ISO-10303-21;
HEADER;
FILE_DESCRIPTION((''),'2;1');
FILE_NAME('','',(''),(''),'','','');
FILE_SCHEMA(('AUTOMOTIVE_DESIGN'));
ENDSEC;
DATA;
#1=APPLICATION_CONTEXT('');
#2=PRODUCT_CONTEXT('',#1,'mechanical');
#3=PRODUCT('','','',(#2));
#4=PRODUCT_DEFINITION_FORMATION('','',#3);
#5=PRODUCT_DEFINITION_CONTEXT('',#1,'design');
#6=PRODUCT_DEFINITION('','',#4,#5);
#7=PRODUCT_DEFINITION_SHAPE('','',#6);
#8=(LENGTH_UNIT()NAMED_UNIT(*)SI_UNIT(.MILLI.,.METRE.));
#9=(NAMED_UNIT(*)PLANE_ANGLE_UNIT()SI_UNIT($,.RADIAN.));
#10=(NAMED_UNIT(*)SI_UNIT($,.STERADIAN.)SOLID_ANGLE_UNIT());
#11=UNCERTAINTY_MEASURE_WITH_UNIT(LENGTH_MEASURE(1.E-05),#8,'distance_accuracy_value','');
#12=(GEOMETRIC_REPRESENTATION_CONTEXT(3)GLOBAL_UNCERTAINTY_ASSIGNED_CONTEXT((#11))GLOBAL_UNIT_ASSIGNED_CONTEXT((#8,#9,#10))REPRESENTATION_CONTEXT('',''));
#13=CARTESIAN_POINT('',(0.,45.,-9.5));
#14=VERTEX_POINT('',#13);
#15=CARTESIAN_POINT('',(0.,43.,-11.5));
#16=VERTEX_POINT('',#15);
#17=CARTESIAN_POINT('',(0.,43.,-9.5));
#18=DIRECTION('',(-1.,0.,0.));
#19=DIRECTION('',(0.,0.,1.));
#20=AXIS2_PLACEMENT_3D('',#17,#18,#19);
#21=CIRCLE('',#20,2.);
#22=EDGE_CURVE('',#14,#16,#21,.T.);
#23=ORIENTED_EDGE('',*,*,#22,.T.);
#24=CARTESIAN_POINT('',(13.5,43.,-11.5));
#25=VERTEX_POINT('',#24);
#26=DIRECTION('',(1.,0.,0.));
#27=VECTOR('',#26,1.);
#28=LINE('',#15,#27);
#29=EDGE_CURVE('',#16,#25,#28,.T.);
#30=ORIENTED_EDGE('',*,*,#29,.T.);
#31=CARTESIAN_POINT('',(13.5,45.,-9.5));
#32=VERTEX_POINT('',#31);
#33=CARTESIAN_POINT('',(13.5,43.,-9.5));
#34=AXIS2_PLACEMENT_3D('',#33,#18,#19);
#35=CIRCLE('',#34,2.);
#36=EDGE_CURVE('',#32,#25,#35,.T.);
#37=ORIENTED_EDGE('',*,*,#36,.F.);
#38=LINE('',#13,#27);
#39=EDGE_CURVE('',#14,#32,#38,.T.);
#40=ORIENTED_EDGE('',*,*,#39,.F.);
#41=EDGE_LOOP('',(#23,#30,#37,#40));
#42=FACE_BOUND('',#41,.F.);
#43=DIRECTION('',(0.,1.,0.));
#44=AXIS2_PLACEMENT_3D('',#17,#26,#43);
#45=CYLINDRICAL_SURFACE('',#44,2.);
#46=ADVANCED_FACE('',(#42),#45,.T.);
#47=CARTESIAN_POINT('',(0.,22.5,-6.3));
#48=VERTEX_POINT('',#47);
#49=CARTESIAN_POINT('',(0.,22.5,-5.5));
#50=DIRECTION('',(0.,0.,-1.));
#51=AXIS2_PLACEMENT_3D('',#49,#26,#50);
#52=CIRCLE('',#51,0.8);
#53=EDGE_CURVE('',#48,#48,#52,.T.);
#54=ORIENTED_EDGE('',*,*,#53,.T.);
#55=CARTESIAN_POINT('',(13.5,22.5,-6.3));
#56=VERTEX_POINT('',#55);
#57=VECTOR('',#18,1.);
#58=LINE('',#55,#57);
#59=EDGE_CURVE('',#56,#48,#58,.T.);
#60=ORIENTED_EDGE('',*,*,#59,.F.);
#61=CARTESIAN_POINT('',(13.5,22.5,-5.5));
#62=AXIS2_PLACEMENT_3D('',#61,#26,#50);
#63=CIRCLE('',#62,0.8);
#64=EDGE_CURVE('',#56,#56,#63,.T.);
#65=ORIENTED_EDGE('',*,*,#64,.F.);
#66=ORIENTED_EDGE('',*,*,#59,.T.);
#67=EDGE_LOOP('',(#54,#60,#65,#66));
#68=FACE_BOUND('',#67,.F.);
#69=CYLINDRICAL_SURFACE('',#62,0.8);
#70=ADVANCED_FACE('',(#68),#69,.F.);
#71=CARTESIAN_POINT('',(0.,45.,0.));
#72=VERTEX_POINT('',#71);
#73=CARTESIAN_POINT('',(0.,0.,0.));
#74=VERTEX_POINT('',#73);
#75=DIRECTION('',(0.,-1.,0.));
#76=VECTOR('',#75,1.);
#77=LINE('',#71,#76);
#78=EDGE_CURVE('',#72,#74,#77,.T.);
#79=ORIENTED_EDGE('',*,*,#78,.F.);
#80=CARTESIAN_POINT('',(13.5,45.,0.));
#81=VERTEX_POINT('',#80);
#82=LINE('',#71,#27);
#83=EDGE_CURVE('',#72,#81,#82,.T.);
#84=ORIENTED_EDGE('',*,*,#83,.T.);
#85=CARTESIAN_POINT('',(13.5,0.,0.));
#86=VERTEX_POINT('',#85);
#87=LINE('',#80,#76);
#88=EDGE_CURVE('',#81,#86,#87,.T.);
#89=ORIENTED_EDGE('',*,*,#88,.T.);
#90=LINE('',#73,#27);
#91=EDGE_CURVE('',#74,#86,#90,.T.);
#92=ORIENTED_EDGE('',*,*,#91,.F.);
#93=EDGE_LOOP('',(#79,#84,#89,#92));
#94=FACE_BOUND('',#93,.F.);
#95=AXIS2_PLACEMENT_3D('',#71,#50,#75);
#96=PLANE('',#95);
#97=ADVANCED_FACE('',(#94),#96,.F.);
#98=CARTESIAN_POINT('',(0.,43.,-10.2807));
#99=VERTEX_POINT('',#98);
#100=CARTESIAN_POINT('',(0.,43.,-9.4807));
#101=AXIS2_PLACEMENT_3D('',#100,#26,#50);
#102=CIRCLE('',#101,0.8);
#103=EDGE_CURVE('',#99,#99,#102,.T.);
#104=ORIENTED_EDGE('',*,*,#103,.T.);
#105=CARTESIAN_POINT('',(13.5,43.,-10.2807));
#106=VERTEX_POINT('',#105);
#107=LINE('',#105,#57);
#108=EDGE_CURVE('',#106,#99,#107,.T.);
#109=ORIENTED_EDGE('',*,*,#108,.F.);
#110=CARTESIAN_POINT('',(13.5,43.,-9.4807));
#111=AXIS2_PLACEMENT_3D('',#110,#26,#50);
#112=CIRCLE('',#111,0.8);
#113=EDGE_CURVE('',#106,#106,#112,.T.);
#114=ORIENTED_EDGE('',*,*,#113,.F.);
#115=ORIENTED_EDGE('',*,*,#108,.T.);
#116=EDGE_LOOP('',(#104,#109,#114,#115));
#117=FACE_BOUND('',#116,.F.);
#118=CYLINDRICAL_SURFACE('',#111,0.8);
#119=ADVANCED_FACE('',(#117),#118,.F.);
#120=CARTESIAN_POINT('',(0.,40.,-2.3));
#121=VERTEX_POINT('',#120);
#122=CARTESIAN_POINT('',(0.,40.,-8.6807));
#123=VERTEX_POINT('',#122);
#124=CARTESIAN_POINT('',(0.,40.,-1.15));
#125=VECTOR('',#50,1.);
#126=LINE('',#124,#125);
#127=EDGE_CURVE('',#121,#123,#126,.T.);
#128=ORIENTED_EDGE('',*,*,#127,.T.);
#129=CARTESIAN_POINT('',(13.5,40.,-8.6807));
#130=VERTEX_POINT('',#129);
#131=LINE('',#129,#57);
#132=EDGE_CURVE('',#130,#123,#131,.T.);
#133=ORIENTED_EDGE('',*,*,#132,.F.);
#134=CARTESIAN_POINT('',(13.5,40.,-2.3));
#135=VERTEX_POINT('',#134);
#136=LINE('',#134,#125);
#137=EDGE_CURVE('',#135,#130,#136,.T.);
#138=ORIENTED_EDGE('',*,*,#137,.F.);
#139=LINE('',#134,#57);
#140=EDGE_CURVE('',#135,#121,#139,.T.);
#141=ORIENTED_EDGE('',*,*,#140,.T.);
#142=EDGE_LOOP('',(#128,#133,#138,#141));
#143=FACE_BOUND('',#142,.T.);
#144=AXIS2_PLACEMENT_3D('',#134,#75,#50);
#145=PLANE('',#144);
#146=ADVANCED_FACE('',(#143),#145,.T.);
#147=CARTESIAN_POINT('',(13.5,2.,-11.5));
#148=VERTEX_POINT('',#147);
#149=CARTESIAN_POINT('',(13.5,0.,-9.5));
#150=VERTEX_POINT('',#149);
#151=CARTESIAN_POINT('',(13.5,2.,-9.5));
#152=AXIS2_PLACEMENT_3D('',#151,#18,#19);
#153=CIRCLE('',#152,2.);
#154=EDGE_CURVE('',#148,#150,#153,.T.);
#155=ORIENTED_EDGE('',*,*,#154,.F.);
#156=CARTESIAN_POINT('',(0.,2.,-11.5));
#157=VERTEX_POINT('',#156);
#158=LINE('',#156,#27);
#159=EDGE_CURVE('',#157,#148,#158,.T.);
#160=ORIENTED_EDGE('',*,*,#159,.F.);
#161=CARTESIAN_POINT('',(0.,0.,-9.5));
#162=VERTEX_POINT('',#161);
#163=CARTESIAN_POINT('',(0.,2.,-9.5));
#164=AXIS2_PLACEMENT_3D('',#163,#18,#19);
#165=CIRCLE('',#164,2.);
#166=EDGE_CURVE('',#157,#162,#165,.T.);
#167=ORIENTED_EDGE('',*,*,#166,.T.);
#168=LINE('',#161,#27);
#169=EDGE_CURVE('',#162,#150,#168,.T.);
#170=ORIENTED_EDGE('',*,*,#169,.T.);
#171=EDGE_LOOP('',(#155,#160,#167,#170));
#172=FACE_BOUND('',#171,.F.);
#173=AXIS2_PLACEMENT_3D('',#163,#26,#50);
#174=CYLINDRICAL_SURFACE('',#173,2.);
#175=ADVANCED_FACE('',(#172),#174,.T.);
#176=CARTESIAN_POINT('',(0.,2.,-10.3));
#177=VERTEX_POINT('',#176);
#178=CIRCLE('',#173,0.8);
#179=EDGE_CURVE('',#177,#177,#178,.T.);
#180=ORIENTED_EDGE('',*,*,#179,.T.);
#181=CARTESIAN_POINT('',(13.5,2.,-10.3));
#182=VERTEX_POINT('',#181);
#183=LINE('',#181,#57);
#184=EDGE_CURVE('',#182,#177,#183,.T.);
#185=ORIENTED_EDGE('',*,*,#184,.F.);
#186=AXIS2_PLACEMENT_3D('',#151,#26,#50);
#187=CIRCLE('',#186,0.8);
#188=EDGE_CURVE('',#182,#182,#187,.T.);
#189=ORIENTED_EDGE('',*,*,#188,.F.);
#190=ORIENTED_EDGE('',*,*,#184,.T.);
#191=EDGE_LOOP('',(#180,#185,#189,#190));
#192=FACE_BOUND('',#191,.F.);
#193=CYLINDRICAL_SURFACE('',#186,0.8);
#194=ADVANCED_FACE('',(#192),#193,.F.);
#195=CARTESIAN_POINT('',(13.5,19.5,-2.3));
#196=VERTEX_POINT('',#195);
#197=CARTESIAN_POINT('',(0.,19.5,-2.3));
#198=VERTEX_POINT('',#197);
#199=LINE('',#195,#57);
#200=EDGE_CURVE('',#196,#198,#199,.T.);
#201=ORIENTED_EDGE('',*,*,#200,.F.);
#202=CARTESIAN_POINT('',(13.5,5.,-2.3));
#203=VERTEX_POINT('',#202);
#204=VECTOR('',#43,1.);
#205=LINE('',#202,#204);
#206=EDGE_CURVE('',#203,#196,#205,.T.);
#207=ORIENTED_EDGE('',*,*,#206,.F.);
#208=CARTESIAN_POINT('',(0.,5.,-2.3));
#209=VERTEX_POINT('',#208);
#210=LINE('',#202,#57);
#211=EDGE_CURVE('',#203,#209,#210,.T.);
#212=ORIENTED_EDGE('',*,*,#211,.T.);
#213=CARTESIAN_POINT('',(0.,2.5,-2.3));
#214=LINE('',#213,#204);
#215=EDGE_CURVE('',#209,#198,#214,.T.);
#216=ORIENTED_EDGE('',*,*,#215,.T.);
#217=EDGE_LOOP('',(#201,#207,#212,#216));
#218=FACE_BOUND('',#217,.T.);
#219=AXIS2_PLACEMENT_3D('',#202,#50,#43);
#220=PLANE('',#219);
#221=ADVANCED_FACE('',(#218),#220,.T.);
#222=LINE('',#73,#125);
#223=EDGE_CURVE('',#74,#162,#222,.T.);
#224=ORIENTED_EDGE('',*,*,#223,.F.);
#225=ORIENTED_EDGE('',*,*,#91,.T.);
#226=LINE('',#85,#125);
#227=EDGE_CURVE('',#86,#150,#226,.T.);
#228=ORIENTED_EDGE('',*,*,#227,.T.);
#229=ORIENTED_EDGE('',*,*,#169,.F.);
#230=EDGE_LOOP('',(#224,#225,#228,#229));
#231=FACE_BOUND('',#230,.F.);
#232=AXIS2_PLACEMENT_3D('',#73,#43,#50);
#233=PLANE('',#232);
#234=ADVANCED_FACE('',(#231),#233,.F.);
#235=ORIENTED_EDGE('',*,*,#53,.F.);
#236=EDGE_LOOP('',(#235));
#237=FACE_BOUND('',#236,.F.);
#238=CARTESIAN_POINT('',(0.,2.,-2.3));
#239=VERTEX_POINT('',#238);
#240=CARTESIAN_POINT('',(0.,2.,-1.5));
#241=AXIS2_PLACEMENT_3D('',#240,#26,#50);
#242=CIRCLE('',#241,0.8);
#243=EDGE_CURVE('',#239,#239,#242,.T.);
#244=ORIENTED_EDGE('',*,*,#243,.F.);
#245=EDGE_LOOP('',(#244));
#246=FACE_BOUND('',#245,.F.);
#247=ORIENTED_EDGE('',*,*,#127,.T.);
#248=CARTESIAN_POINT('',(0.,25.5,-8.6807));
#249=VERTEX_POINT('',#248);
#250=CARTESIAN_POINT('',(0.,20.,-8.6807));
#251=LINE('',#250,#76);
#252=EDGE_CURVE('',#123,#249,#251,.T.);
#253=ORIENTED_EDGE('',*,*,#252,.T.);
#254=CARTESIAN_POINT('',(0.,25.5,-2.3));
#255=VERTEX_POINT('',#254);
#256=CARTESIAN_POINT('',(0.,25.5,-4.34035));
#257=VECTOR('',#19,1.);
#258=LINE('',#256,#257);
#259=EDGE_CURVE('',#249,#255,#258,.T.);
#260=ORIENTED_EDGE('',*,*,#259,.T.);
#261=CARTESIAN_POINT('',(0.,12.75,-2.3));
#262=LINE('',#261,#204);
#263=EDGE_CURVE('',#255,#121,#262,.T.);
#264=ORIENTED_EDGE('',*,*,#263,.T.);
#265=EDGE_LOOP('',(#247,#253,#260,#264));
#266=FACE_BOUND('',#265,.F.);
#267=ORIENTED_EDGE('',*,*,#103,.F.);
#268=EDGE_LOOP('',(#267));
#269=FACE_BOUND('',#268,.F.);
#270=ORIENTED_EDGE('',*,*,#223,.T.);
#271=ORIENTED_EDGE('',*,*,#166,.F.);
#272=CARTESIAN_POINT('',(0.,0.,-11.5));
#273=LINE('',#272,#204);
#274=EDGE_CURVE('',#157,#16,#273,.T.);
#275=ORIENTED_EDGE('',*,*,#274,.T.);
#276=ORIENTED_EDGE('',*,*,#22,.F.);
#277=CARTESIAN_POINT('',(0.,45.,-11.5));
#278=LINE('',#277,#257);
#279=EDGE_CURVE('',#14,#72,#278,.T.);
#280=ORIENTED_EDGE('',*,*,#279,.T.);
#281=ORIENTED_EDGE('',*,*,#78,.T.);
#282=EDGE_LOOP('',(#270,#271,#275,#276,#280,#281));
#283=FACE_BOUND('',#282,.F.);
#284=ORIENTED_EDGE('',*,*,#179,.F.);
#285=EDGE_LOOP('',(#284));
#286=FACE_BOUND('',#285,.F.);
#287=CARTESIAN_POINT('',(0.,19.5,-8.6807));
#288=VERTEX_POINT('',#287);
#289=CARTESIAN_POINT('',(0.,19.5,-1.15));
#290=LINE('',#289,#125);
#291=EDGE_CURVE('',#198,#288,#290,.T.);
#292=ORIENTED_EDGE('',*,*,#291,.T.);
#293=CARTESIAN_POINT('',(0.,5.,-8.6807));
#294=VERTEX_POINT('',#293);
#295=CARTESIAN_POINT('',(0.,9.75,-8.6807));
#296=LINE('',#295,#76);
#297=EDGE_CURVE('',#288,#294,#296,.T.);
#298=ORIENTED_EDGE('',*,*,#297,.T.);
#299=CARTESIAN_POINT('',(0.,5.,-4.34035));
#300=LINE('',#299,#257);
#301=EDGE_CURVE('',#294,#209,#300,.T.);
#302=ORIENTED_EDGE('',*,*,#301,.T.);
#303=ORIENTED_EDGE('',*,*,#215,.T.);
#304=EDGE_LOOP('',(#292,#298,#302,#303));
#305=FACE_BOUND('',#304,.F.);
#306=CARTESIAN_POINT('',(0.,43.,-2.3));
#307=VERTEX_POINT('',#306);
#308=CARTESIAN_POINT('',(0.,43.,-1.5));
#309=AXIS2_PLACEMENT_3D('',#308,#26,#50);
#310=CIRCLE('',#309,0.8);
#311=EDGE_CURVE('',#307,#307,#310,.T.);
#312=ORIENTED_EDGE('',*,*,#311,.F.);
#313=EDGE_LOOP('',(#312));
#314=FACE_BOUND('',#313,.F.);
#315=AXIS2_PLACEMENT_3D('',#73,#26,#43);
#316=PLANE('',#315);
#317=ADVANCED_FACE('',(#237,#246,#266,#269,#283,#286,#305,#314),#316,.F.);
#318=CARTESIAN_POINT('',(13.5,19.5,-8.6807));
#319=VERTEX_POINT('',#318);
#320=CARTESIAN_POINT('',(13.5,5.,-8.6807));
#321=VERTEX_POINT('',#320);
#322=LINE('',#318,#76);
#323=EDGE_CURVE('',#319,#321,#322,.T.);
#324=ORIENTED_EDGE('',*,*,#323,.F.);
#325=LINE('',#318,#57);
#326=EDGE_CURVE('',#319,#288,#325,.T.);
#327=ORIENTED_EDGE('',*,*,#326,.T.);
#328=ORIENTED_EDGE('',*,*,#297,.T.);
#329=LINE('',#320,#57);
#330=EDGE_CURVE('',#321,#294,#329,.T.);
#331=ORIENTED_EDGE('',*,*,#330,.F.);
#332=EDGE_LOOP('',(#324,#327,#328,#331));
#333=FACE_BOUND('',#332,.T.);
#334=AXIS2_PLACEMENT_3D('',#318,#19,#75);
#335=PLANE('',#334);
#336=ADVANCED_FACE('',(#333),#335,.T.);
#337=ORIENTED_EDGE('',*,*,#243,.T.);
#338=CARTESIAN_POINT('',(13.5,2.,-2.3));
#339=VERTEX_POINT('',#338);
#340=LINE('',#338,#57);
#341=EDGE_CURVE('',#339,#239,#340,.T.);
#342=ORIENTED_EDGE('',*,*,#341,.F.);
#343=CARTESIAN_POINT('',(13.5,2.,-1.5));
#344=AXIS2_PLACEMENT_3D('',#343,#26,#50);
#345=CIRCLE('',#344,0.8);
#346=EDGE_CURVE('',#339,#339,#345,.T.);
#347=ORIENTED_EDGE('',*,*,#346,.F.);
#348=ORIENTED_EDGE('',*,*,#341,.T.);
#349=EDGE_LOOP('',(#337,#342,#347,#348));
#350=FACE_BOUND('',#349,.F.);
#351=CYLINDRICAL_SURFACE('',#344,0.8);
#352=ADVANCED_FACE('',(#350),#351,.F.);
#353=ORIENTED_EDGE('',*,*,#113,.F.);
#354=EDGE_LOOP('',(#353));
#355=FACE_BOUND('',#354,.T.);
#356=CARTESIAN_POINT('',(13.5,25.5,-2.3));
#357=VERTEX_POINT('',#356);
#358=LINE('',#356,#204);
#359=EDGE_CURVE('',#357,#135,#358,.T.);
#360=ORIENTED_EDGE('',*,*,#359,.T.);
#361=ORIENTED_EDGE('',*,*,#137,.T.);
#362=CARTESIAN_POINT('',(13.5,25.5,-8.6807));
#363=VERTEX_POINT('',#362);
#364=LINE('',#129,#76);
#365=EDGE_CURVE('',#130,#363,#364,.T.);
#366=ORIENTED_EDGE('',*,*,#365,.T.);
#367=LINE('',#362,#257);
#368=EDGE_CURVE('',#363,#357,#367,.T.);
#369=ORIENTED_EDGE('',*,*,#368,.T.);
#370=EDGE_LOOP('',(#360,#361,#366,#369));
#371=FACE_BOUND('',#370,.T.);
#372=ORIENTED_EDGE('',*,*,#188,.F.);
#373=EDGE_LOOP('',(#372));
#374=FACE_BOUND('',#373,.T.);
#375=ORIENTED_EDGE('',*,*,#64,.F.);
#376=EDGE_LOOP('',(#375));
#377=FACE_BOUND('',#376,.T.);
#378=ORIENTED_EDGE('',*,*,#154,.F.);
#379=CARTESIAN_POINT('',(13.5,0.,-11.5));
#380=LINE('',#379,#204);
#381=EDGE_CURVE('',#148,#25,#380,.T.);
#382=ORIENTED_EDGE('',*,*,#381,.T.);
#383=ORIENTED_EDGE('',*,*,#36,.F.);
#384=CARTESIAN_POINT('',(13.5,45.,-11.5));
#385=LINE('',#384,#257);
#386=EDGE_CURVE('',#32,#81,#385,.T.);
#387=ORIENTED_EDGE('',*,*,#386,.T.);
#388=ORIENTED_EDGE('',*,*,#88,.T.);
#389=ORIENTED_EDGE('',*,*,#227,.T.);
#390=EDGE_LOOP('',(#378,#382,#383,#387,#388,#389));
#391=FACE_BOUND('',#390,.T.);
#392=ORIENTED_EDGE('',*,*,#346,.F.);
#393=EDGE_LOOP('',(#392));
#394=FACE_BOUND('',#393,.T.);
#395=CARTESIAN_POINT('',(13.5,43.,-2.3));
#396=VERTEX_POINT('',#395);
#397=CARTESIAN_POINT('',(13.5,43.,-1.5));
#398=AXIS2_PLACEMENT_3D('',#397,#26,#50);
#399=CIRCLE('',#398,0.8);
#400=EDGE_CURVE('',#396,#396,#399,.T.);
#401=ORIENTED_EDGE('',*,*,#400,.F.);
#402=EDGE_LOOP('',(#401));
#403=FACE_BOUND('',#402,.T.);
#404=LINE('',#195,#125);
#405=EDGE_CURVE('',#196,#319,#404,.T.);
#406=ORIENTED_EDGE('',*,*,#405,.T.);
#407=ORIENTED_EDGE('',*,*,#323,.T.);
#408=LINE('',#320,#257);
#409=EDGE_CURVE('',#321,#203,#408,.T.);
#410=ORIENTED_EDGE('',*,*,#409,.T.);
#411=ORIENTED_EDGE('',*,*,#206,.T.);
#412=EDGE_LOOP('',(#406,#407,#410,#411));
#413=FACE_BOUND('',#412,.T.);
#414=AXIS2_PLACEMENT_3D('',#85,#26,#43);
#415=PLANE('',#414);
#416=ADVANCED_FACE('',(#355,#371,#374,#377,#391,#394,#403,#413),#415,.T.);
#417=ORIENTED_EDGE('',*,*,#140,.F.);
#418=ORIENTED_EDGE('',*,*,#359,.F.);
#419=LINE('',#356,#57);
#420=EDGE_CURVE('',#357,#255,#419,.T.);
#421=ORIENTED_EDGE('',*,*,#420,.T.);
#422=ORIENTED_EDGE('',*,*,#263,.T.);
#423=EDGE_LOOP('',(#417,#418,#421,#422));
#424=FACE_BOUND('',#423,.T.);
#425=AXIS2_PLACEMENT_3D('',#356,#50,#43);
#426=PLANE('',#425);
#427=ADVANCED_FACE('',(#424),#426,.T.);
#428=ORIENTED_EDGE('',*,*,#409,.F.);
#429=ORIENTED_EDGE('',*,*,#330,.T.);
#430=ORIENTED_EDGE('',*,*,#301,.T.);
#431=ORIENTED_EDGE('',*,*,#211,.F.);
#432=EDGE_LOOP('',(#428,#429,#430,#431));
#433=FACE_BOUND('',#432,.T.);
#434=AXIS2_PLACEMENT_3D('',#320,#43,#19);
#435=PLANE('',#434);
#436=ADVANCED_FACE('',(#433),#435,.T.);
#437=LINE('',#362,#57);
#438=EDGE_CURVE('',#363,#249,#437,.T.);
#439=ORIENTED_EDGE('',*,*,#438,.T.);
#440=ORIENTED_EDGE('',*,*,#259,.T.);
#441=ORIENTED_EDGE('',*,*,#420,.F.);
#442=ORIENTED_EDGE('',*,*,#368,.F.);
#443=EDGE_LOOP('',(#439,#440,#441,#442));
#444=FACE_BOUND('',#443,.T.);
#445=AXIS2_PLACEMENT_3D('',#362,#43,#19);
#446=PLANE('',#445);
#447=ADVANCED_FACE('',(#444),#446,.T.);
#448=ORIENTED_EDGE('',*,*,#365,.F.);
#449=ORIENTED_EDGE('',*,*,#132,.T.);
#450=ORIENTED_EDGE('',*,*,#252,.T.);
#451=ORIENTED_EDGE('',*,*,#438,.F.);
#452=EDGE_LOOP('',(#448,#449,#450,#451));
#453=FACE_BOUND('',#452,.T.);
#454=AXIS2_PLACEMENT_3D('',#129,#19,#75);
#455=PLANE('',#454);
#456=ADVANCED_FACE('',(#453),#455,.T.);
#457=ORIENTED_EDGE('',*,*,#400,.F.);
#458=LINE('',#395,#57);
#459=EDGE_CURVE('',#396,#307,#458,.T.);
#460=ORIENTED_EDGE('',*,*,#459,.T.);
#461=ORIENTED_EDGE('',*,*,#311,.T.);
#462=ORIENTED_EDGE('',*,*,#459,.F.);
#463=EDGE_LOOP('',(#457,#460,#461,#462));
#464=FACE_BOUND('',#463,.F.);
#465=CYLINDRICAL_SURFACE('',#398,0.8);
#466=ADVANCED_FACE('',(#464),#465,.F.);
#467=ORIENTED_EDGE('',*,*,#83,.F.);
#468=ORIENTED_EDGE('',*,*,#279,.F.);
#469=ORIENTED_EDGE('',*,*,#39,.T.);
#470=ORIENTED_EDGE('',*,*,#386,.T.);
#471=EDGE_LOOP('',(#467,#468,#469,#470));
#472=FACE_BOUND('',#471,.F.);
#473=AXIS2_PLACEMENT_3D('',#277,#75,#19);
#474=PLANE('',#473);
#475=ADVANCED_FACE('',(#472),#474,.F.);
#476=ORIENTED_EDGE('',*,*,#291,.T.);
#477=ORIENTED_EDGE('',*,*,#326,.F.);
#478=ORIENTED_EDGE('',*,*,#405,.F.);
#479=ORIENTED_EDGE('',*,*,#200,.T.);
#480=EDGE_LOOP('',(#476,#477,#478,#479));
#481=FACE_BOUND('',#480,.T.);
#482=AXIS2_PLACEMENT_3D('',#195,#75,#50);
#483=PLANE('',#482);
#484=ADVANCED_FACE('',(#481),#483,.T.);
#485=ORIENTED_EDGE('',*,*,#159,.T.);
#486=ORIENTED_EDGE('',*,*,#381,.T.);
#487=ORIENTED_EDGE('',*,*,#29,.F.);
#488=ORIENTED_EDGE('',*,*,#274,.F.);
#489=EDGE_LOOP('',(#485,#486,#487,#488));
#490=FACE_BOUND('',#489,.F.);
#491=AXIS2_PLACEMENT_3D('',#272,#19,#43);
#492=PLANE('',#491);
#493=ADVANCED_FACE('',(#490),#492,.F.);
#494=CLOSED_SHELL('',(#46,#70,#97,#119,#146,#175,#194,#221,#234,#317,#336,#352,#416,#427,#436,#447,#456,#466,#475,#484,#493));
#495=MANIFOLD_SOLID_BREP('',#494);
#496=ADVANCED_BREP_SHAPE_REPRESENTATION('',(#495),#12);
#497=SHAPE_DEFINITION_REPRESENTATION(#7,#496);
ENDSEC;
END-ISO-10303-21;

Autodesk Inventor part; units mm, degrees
ref_plane "YZ Plane" through (0, 0, 0) normal (1, 0, 0) x (0, 1, 0)
ref_plane "XZ Plane" through (0, 0, 0) normal (0, 1, 0) x (-1, 0, 0)
ref_plane "XY Plane" through (0, 0, 0) normal (0, 0, 1) x (1, 0, 0)
sketch "スケッチ1" plane through (0, 0, 0) normal (1, 0, 0) x (0, 1, 0)
  line L0 (45, 0) -> (0, 0)
  line L1 (0, 0) -> (0, -11.5)
  line L2 (0, -11.5) -> (45, -11.5)
  line L3 (45, -11.5) -> (45, 0)
  dimension "d0" = 45
  dimension "d1" = 11.5
extrude "押し出し1" add sketch "スケッチ1" along normal blind 13.5
sketch "スケッチ2" plane through (13.5, 0, 0) normal (1, 0, 0) x (0, 0, -1)
  circle A0 centre (1.5, 43) radius 0.8 projected
  circle A1 centre (9.4807, 43) radius 0.8 projected
  circle A2 centre (9.5, 2) radius 0.8 projected
  circle A3 centre (1.5, 2) radius 0.8 projected
  circle A4 centre (5.5, 22.5) radius 0.8 projected
  point P0 (0, 0)
extrude "押し出し2" cut sketch "スケッチ2" against normal through all
fillet "フィレット1" radius 2 2 edges at (6.75, 45, -11.5) (6.75, 0, -11.5)
sketch "スケッチ4" plane through (13.5, 0, 0) normal (1, 0, 0) x (0, 0, -1)
  line L0 (2.3, 40) -> (8.6807, 40)
  line L1 (8.6807, 40) -> (8.6807, 25.5)
  line L2 (8.6807, 25.5) -> (2.3, 25.5)
  line L3 (2.3, 25.5) -> (2.3, 40)
  line L4 (2.3, 19.5) -> (8.6807, 19.5)
  line L5 (8.6807, 19.5) -> (8.6807, 5)
  line L6 (8.6807, 5) -> (2.3, 5)
  line L7 (2.3, 5) -> (2.3, 19.5)
  circle A0 centre (1.5, 43) radius 0.8 projected
  arc A1 (9.5, 0) -> (11.5, 2) centre (9.5, 2) ccw projected
  line L8 (11.5, 2) -> (11.5, 43) projected
  arc A2 (11.5, 43) -> (9.5, 45) centre (9.5, 43) ccw projected
  line L9 (9.5, 45) -> (0, 45) projected
  line L10 (0, 45) -> (0, 0) projected
  line L11 (0, 0) -> (9.5, 0) projected
  circle A3 centre (5.5, 22.5) radius 0.8 projected
  circle A4 centre (9.5, 2) radius 0.8 projected
  circle A5 centre (1.5, 2) radius 0.8 projected
  circle A6 centre (9.4807, 43) radius 0.8 projected
  circle A7 centre (1.5, 43) radius 0.8 projected
  dimension "d9" = 3
  dimension "d10" = 3
  dimension "d11" = 3
  dimension "d12" = 3
extrude "押し出し3" cut sketch "スケッチ4" against normal through all contours L0 L1 L2 L3 | L4 L5 L6 L7
properties part number "chest_cover_stopper"
